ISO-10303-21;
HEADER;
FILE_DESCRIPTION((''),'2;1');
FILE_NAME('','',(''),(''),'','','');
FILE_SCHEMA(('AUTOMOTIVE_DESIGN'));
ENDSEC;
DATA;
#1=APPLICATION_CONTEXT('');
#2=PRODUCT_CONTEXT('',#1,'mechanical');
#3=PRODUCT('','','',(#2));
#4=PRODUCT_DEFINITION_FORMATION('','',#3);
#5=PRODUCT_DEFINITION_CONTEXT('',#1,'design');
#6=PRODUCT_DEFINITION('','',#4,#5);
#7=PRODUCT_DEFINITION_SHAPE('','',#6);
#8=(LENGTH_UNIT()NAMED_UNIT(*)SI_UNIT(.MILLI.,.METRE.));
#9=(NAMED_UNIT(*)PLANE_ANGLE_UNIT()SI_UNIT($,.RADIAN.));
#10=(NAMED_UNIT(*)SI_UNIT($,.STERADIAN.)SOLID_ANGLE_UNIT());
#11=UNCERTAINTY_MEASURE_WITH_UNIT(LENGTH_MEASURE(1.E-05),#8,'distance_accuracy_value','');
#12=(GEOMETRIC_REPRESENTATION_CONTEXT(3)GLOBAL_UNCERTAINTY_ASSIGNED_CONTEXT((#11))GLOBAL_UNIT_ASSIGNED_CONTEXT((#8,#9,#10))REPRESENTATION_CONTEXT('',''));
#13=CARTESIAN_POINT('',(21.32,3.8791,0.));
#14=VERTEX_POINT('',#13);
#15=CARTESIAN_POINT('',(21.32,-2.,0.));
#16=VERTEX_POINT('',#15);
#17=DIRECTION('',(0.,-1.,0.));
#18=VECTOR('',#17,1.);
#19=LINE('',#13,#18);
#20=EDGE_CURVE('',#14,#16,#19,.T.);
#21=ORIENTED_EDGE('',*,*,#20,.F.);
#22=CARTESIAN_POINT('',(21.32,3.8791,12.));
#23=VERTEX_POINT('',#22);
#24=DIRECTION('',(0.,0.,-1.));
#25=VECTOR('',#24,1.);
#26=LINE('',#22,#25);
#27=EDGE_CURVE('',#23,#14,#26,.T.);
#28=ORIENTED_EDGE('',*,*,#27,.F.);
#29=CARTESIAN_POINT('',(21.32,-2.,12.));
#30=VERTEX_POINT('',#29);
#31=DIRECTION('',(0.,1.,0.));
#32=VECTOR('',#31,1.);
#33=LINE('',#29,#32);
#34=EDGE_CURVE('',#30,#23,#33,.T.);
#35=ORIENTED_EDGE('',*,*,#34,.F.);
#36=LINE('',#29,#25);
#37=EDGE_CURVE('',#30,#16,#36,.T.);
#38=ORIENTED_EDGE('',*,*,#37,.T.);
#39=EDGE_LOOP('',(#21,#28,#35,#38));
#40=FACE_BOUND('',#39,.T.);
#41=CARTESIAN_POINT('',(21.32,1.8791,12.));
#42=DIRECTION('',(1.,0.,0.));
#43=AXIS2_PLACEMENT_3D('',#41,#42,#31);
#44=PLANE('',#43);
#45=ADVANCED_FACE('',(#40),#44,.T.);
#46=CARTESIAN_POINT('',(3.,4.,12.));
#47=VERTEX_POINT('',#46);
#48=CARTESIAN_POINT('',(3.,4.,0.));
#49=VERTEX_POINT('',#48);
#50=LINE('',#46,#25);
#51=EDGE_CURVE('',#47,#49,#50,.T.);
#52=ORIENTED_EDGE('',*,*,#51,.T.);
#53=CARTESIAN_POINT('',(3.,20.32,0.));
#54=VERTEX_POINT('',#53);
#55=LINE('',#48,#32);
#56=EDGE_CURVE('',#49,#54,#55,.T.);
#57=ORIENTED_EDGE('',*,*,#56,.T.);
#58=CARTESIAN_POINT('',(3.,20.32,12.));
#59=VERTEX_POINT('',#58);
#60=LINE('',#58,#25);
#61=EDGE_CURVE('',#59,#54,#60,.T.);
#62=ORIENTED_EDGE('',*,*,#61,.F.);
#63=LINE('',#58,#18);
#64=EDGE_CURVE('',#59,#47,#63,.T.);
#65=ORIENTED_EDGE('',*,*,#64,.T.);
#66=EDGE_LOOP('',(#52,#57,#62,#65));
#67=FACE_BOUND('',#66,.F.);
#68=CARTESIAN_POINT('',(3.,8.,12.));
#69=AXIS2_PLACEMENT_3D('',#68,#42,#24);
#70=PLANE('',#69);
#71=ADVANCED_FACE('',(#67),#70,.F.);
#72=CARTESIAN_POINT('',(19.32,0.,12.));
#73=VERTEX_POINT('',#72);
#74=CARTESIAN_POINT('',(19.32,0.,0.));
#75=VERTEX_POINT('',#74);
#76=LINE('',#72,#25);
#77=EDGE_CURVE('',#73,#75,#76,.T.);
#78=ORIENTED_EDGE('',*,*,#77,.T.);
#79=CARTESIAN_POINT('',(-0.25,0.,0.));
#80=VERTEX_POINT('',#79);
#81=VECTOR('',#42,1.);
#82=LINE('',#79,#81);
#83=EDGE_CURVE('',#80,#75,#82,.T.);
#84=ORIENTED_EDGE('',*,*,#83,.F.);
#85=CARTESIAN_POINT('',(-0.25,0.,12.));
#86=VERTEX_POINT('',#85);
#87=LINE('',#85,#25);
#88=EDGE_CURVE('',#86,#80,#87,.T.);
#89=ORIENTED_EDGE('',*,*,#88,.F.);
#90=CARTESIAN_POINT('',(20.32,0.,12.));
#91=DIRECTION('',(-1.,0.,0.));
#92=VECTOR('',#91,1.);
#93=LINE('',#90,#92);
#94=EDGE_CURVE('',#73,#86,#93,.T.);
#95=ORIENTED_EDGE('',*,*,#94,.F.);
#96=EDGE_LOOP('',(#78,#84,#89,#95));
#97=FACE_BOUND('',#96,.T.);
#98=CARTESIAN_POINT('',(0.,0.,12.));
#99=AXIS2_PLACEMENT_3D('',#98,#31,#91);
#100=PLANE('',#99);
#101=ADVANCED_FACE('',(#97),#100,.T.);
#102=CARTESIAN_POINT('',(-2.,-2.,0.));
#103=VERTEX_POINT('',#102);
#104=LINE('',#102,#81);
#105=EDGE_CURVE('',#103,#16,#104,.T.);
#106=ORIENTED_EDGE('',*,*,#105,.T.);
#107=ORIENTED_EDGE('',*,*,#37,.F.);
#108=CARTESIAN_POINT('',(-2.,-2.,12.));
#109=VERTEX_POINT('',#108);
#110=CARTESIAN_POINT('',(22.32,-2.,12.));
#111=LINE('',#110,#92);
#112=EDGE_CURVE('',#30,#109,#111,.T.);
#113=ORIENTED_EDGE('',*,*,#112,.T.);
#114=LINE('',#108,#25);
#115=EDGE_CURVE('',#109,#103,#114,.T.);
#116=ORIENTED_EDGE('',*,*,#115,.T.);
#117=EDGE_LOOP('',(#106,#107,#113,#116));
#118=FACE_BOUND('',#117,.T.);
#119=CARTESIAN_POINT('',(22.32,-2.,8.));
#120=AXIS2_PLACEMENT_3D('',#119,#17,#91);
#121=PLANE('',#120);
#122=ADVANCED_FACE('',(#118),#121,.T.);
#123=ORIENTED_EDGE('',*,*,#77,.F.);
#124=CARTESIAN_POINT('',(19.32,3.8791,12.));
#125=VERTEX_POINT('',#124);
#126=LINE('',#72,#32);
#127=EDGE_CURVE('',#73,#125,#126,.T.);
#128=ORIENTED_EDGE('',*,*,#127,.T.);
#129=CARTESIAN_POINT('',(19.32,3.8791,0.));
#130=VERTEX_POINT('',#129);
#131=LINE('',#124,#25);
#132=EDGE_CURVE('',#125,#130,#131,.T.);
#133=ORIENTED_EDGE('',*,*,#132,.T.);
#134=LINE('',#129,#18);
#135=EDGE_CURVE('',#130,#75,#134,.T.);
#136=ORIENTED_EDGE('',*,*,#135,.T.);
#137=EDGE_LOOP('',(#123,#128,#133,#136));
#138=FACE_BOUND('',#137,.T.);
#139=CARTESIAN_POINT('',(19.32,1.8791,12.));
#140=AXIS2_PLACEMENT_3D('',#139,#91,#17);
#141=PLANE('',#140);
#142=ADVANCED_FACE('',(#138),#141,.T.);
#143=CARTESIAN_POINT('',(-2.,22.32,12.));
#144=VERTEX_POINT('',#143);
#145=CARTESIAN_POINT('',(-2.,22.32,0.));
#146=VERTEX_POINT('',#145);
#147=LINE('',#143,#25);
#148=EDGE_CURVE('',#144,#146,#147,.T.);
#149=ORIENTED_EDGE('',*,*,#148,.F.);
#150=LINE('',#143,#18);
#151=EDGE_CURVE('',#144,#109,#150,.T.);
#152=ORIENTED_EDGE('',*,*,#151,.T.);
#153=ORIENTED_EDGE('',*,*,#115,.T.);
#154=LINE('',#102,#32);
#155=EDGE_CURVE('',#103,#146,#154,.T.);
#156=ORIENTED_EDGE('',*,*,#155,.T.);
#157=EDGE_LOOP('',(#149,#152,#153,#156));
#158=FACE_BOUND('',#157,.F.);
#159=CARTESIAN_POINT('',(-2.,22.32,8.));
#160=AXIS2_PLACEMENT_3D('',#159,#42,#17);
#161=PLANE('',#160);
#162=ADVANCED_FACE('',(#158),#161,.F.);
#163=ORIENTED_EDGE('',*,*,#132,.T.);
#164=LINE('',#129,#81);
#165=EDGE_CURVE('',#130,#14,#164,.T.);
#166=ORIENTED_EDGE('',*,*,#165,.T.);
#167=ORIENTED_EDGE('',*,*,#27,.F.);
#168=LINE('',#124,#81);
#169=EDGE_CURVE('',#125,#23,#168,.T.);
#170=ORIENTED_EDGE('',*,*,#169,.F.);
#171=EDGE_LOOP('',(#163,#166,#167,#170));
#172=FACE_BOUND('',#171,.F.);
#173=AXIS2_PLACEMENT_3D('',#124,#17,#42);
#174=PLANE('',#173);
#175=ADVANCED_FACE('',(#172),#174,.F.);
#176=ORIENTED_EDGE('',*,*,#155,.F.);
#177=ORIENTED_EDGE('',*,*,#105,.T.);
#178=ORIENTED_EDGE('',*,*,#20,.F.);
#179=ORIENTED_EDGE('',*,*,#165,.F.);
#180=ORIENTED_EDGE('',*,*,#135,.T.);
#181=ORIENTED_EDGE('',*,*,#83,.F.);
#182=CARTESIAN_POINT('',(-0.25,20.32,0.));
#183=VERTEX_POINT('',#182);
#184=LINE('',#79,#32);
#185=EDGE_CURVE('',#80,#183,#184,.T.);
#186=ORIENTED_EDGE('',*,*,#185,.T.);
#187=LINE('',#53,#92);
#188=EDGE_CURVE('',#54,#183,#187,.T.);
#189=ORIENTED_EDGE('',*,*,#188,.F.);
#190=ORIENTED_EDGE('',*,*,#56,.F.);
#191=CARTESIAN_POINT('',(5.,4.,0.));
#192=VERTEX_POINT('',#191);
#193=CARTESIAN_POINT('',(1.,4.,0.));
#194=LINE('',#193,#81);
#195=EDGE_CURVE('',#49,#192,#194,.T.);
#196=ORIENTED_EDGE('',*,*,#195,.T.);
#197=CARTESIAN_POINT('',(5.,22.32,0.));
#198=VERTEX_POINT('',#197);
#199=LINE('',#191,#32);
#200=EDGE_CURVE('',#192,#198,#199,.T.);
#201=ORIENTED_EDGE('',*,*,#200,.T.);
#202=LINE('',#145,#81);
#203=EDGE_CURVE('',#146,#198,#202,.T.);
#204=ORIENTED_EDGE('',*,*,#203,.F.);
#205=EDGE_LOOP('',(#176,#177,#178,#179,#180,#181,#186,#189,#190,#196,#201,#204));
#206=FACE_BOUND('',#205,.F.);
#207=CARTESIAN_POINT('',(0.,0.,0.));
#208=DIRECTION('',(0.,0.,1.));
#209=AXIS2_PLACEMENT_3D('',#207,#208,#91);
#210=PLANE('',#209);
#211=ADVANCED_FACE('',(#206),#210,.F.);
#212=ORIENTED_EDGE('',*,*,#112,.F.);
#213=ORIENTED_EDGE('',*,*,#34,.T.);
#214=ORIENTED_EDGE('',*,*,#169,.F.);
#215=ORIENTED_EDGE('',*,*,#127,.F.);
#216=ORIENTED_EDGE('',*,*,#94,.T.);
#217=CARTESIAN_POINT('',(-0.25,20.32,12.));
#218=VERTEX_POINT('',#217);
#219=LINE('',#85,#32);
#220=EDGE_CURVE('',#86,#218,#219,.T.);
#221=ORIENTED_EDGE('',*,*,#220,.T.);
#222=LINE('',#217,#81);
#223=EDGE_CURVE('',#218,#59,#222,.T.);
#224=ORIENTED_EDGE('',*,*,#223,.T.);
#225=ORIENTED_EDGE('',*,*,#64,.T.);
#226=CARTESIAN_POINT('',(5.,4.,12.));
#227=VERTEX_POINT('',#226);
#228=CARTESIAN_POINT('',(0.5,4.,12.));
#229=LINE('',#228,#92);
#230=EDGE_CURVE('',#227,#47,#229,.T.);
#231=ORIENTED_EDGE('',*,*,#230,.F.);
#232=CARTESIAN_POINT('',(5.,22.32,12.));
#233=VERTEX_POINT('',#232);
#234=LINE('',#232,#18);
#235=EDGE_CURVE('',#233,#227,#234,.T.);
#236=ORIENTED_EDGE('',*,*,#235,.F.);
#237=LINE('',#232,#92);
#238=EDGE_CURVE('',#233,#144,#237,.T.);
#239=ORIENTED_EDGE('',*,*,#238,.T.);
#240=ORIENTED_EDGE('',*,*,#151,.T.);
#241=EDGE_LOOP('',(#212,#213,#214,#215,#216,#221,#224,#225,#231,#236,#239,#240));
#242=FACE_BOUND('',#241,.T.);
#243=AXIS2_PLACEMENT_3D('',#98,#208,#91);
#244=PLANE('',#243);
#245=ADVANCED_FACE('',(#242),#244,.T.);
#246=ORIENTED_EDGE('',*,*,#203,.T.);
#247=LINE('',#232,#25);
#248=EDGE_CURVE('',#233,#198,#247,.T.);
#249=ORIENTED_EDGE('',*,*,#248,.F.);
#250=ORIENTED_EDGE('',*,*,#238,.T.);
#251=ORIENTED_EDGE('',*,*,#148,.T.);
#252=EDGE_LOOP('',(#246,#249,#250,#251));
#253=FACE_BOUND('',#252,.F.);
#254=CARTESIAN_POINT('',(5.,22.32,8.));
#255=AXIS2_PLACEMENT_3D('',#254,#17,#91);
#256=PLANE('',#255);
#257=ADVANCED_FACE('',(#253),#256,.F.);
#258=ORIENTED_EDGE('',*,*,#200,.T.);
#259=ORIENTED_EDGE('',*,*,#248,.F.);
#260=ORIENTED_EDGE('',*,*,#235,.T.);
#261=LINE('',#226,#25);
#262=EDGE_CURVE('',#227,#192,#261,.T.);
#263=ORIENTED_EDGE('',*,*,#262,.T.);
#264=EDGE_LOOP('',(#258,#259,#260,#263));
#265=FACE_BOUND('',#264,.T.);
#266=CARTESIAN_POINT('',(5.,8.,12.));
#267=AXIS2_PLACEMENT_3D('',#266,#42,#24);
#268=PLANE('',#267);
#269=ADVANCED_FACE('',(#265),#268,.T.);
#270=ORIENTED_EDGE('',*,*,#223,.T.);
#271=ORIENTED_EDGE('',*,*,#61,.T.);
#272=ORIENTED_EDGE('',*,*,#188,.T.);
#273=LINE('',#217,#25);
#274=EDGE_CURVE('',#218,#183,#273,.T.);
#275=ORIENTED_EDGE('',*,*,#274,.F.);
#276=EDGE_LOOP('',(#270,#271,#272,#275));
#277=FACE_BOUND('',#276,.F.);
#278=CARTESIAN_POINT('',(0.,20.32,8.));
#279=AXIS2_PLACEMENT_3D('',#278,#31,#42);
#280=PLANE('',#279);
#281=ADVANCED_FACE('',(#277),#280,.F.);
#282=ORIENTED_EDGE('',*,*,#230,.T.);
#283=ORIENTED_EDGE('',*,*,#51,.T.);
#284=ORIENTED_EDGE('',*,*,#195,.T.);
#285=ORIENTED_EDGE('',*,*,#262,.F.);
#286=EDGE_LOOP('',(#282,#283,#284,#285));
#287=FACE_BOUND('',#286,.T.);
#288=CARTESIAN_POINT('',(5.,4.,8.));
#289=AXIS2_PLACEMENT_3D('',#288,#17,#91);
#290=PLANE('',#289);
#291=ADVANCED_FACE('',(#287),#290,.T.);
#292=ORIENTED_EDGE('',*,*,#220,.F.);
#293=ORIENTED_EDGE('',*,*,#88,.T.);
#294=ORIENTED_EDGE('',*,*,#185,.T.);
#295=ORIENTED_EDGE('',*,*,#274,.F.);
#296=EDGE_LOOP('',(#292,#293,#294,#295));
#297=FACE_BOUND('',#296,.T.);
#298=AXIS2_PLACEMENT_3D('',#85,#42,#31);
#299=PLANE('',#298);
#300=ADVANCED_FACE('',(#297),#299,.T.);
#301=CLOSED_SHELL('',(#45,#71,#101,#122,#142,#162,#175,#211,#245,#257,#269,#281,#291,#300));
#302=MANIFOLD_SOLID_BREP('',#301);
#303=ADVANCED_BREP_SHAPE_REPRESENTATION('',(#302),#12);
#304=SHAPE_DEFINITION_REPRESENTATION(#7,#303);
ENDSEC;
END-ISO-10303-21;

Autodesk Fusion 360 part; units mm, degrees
sketch "Sketch1" plane through (0, 0, 0) normal (0, 0, 1) x (1, 0, 0)
  line L0 (0, 0) -> (0, 20.32)
  line L1 (3, 20.32) -> (3, 1.5)
  line L2 (20.32, 3) -> (3, 3)
  line L3 (3, 3) -> (3, 1.5)
  line L4 (8.5, 2) -> (8.3025, 2)
  line L5 (20.32, 3) -> (20.32, 0)
  line L6 (0, 20.32) -> (3, 20.32)
  line L7 (22.32, 0) -> (22.32, 1)
  line L8 (19.558, -2) -> (0, -2)
  line L9 (-2, 19.558) -> (-2, -2)
  line L10 (-2, -2) -> (0, -2)
  line L11 (22.32, 0) -> (22.32, -2)
  line L12 (22.32, -2) -> (19.558, -2)
  line L13 (0, 22.32) -> (-2, 22.32)
  line L14 (-2, 22.32) -> (-2, 19.558)
  line L15 (0, 22.32) -> (1, 22.32)
  line L16 (5, 19.558) -> (5, 5)
  line L17 (5, 5) -> (19.558, 5)
  line L18 (1, 22.32) -> (5, 22.32)
  line L19 (5, 22.32) -> (5, 19.558)
  line L20 (19.558, 5) -> (10.5472, 5)
  line L21 (22.32, 1) -> (22.32, 5)
  line L22 (5, 5) -> (22.32, 5)
  line L23 (0, 0) -> (20.32, 0)
  dimension "d30" = 20.32
  dimension "d31" = 20.32
  dimension "d33" = 2
  dimension "d34" = 2
  dimension "d35" = 3
  dimension "d36" = 2
  dimension "d37" = 2
  dimension "d38" = 3
sketch "Sketch2" plane through (0, 0, 0) normal (0, 0, 1) x (-1, 0, 0)
  line L0 (-8.5, 0) -> (0, 0)
  line L1 (0, 0) -> (0, -8.35)
  line L2 (0, -8.35) -> (-1, -8.35)
  line L3 (-1, -8.35) -> (-1, -1)
  line L4 (-1, -1) -> (-8.5, -1)
  line L5 (-9.5, -2) -> (-2, -2)
  line L6 (-2, -9.35) -> (1, -9.35)
  line L7 (1, -9.35) -> (1, -8.35)
  line L8 (-9.5, 0.9516) -> (-9.5, -2)
  line L9 (-3.5, -1) -> (-1, -1)
  line L10 (-1, -1) -> (-1, -4)
  line L11 (-1, -4) -> (-3.5, -4)
  line L12 (-3.5, -4) -> (-3.5, -1)
  line L13 (-3.5, -1) -> (-1, -1)
  line L14 (-1, -4) -> (-1, -1)
  line L15 (-3.5, -1) -> (-1, -1)
  line L16 (1, -8.35) -> (1, 0.9516)
  line L17 (1, 0.9516) -> (-9.5, 0.9516)
  line L18 (-1, -4) -> (-1, -8)
  line L19 (-3.5, -1) -> (-7.5, -1)
  line L20 (-1, -8) -> (-7.5024, -8)
  line L21 (-7.5024, -8) -> (-7.5, -1)
  dimension "d29" = 4
extrude "Extrude3" add sketch "Sketch1" along normal blind 8
extrude "Extrude4" cut sketch "Sketch2" along normal blind 10
sketch "Sketch3" plane through (0, 0, 8) normal (0, 0, 1) x (-1, 0, 0)
  line L0 (-3, -8) -> (-5, -8)
  line L1 (-5, -8) -> (-5, -22.32)
  line L2 (-5, -22.32) -> (2, -22.32)
  line L3 (2, -22.32) -> (2, 2)
  line L4 (2, 2) -> (-22.32, 2)
  line L5 (-22.32, 2) -> (-22.32, -5)
  line L6 (-22.32, -5) -> (-7.5014, -5)
  line L7 (-7.5014, -5) -> (-7.5007, -3)
  line L8 (-7.5007, -3) -> (-20.32, -3)
  line L9 (-20.32, -3) -> (-20.32, 0)
  line L10 (-20.32, 0) -> (0, 0)
  line L11 (0, 0) -> (0, -20.32)
  line L12 (0, -20.32) -> (-3, -20.32)
  line L13 (-3, -20.32) -> (-3, -8)
  line L14 (-5, 0) -> (-5, 0)
  line L15 (-5, 0) -> (-5, -5.022)
  line L16 (-5, -5.022) -> (-5, -5.022)
  line L17 (-5, -5.022) -> (-5, 0)
  line L18 (-22.32, 2) -> (-5, 2)
  line L19 (-5, 2) -> (-5, 2)
  line L20 (-5, 2) -> (-22.32, 2)
  line L21 (-22.32, 2) -> (-22.32, 2)
  line L22 (-5, -5.022) -> (-22.32, -5.022)
  line L23 (-22.32, -5.022) -> (-22.32, -5)
  line L24 (-22.32, -5) -> (-5, -5)
  line L25 (-5, -5) -> (-5, -5.022)
  line L26 (-5, 2) -> (-5, 0)
  line L27 (-22.32, -1.8791) -> (-5, -1.8791)
extrude "Extrude5" cut sketch "Sketch3" against normal blind 8 contours L7 L8 L9 L15 L17 L24 L27 | L5 L6 L7 L8 L9 L24 L27
extrude "Extrude6" add 1 faces at (-1.3333, 13.5467, 8) along direction (0, 0, 1) blind 4
sketch "Sketch4" plane through (0, 0, 12) normal (0, 0, 1) x (-1, 0, 0)
  line L0 (-20.32, 0) -> (0, 0)
  line L1 (-3, -20.32) -> (-3, -8)
  line L2 (-3, -8) -> (-5, -8)
  line L3 (-5, -8) -> (-5, -22.32)
  line L4 (-5, -22.32) -> (2, -22.32)
  line L5 (2, -22.32) -> (2, 2)
  line L6 (2, 2) -> (-22.32, 2)
  line L7 (0, 0) -> (0.25, 0)
  line L8 (0, -20.32) -> (0, 0)
  line L9 (0.25, 0) -> (0.25, -20.5)
  line L10 (0, -20.32) -> (0.25, -20.32)
  line L11 (-22.32, -1.8791) -> (-20.32, -1.8791)
  line L12 (-20.32, -1.8791) -> (-20.32, 0)
  line L13 (-22.32, 2) -> (-22.32, -1.8791)
  dimension "d44" = 0.25
extrude "Extrude7" cut sketch "Sketch4" against normal blind 12
extrude "Extrude8" add 1 faces at (4.3333, 8, 4) along direction (0, -1, 0) blind 4
sketch "Sketch5" plane through (0, 0, 12) normal (0, 0, 1) x (-1, 0, 0)
  line L0 (-20.32, 0) -> (0.25, 0)
  line L1 (0.25, 0) -> (0.25, -20.32)
  line L2 (0.25, -20.32) -> (-3, -20.32)
  line L3 (-3, -20.32) -> (-3, -4)
  line L4 (-3, -4) -> (-5, -4)
  line L5 (-5, -4) -> (-5, -22.32)
  line L6 (-5, -22.32) -> (2, -22.32)
  line L7 (2, -22.32) -> (2, 2)
  line L8 (2, 2) -> (-22.32, 2)
  line L9 (-22.32, 2) -> (-22.32, -1.8791)
  line L10 (-22.32, -1.8791) -> (-20.32, -1.8791)
  line L11 (-20.32, -1.8791) -> (-20.32, 0)
  line L12 (-21.32, -1.8791) -> (-20.32, -1.8791)
  line L13 (-19.32, -1.8791) -> (-19.32, 0)
  line L14 (-22.32, 0.0604) -> (-22.1613, 0)
  line L15 (-22.1613, 0) -> (-19.32, 0)
  line L16 (-22.32, -1.8791) -> (-22.32, 0.0604)
  line L17 (-21.32, -1.8791) -> (-21.32, 0)
  line L18 (-19.32, -1.8791) -> (-19.32, -3.8791)
  line L19 (-19.32, -3.8791) -> (-21.32, -3.8791)
  line L20 (-21.32, -1.8791) -> (-21.32, -3.8791)
  line L21 (-21.32, -1.8791) -> (-22.32, -1.8791)
  line L22 (-21.32, 0) -> (-21.32, 2)
  line L23 (-22.32, 2) -> (-22.32, -1.8791)
  line L24 (-21.32, -1.8791) -> (-22.32, -1.8791)
  line L25 (-21.32, 2) -> (-22.32, 2)
  dimension "d49" = 2
  dimension "d50" = 2
extrude "Extrude9" cut sketch "Sketch5" against normal blind 12 contours L9 L10 L14 L15 L16 L17 L21 L23 L24 | L8 L9 L14 L15 L22 L23 L25
extrude "Extrude10" add sketch "Sketch5" against normal blind 12 contours L0 L10 L11 L12 L13 L15 L18 L19 L20
